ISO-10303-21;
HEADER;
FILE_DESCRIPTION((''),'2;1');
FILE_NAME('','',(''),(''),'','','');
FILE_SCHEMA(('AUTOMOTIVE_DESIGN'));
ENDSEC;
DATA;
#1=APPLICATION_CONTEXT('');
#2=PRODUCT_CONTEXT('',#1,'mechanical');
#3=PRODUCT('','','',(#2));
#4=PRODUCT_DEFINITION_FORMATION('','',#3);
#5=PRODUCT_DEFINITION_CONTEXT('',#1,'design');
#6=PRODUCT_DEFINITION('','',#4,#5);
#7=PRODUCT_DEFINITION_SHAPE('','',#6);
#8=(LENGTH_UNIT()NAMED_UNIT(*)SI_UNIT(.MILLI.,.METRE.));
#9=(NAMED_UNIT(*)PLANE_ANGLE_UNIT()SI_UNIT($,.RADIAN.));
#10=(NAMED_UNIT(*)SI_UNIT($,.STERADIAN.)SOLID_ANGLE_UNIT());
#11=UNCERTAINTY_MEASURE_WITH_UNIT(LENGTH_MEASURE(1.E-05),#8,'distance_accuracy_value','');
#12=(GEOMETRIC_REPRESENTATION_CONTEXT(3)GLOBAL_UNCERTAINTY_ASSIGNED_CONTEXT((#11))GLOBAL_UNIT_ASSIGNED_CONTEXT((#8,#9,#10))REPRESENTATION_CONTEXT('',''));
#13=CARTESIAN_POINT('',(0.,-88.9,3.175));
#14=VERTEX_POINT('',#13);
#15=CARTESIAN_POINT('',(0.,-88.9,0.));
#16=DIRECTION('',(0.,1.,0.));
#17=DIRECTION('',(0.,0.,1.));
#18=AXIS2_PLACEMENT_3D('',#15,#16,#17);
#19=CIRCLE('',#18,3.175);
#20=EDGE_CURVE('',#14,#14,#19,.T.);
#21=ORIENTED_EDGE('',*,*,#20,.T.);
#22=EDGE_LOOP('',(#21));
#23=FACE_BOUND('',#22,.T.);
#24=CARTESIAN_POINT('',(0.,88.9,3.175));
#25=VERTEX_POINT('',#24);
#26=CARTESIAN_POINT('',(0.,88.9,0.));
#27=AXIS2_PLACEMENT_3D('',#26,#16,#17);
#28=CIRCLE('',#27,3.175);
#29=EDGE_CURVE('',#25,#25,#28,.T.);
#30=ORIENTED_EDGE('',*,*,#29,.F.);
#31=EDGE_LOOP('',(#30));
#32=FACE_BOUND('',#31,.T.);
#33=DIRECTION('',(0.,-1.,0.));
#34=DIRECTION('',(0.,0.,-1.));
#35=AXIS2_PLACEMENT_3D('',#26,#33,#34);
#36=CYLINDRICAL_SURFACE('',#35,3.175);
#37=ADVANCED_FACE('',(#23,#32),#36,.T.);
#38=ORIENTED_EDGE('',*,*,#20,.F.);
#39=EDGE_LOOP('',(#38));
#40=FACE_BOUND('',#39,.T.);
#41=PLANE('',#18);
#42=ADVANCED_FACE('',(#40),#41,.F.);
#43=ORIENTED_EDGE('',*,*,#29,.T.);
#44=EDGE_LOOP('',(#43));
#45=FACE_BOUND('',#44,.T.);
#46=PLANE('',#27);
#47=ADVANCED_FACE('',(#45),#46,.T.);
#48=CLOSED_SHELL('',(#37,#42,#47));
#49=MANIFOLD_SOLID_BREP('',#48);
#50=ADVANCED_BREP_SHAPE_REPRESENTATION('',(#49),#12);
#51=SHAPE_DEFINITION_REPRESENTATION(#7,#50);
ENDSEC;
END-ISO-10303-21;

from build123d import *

# Parameters (mm, degrees)
SKETCH1_R           = 3.175
BOSS_EXTRUDE1_DEPTH = 88.9


with BuildPart() as part:
    # Sketch1 → Boss-Extrude1 (new body, symmetric)
    with BuildSketch(Plane(origin=(0, 0, 0), x_dir=(1, 0, 0), z_dir=(0, 1, 0))):
        Circle(SKETCH1_R)
    extrude(amount=BOSS_EXTRUDE1_DEPTH, both=True)


solid = part.part
